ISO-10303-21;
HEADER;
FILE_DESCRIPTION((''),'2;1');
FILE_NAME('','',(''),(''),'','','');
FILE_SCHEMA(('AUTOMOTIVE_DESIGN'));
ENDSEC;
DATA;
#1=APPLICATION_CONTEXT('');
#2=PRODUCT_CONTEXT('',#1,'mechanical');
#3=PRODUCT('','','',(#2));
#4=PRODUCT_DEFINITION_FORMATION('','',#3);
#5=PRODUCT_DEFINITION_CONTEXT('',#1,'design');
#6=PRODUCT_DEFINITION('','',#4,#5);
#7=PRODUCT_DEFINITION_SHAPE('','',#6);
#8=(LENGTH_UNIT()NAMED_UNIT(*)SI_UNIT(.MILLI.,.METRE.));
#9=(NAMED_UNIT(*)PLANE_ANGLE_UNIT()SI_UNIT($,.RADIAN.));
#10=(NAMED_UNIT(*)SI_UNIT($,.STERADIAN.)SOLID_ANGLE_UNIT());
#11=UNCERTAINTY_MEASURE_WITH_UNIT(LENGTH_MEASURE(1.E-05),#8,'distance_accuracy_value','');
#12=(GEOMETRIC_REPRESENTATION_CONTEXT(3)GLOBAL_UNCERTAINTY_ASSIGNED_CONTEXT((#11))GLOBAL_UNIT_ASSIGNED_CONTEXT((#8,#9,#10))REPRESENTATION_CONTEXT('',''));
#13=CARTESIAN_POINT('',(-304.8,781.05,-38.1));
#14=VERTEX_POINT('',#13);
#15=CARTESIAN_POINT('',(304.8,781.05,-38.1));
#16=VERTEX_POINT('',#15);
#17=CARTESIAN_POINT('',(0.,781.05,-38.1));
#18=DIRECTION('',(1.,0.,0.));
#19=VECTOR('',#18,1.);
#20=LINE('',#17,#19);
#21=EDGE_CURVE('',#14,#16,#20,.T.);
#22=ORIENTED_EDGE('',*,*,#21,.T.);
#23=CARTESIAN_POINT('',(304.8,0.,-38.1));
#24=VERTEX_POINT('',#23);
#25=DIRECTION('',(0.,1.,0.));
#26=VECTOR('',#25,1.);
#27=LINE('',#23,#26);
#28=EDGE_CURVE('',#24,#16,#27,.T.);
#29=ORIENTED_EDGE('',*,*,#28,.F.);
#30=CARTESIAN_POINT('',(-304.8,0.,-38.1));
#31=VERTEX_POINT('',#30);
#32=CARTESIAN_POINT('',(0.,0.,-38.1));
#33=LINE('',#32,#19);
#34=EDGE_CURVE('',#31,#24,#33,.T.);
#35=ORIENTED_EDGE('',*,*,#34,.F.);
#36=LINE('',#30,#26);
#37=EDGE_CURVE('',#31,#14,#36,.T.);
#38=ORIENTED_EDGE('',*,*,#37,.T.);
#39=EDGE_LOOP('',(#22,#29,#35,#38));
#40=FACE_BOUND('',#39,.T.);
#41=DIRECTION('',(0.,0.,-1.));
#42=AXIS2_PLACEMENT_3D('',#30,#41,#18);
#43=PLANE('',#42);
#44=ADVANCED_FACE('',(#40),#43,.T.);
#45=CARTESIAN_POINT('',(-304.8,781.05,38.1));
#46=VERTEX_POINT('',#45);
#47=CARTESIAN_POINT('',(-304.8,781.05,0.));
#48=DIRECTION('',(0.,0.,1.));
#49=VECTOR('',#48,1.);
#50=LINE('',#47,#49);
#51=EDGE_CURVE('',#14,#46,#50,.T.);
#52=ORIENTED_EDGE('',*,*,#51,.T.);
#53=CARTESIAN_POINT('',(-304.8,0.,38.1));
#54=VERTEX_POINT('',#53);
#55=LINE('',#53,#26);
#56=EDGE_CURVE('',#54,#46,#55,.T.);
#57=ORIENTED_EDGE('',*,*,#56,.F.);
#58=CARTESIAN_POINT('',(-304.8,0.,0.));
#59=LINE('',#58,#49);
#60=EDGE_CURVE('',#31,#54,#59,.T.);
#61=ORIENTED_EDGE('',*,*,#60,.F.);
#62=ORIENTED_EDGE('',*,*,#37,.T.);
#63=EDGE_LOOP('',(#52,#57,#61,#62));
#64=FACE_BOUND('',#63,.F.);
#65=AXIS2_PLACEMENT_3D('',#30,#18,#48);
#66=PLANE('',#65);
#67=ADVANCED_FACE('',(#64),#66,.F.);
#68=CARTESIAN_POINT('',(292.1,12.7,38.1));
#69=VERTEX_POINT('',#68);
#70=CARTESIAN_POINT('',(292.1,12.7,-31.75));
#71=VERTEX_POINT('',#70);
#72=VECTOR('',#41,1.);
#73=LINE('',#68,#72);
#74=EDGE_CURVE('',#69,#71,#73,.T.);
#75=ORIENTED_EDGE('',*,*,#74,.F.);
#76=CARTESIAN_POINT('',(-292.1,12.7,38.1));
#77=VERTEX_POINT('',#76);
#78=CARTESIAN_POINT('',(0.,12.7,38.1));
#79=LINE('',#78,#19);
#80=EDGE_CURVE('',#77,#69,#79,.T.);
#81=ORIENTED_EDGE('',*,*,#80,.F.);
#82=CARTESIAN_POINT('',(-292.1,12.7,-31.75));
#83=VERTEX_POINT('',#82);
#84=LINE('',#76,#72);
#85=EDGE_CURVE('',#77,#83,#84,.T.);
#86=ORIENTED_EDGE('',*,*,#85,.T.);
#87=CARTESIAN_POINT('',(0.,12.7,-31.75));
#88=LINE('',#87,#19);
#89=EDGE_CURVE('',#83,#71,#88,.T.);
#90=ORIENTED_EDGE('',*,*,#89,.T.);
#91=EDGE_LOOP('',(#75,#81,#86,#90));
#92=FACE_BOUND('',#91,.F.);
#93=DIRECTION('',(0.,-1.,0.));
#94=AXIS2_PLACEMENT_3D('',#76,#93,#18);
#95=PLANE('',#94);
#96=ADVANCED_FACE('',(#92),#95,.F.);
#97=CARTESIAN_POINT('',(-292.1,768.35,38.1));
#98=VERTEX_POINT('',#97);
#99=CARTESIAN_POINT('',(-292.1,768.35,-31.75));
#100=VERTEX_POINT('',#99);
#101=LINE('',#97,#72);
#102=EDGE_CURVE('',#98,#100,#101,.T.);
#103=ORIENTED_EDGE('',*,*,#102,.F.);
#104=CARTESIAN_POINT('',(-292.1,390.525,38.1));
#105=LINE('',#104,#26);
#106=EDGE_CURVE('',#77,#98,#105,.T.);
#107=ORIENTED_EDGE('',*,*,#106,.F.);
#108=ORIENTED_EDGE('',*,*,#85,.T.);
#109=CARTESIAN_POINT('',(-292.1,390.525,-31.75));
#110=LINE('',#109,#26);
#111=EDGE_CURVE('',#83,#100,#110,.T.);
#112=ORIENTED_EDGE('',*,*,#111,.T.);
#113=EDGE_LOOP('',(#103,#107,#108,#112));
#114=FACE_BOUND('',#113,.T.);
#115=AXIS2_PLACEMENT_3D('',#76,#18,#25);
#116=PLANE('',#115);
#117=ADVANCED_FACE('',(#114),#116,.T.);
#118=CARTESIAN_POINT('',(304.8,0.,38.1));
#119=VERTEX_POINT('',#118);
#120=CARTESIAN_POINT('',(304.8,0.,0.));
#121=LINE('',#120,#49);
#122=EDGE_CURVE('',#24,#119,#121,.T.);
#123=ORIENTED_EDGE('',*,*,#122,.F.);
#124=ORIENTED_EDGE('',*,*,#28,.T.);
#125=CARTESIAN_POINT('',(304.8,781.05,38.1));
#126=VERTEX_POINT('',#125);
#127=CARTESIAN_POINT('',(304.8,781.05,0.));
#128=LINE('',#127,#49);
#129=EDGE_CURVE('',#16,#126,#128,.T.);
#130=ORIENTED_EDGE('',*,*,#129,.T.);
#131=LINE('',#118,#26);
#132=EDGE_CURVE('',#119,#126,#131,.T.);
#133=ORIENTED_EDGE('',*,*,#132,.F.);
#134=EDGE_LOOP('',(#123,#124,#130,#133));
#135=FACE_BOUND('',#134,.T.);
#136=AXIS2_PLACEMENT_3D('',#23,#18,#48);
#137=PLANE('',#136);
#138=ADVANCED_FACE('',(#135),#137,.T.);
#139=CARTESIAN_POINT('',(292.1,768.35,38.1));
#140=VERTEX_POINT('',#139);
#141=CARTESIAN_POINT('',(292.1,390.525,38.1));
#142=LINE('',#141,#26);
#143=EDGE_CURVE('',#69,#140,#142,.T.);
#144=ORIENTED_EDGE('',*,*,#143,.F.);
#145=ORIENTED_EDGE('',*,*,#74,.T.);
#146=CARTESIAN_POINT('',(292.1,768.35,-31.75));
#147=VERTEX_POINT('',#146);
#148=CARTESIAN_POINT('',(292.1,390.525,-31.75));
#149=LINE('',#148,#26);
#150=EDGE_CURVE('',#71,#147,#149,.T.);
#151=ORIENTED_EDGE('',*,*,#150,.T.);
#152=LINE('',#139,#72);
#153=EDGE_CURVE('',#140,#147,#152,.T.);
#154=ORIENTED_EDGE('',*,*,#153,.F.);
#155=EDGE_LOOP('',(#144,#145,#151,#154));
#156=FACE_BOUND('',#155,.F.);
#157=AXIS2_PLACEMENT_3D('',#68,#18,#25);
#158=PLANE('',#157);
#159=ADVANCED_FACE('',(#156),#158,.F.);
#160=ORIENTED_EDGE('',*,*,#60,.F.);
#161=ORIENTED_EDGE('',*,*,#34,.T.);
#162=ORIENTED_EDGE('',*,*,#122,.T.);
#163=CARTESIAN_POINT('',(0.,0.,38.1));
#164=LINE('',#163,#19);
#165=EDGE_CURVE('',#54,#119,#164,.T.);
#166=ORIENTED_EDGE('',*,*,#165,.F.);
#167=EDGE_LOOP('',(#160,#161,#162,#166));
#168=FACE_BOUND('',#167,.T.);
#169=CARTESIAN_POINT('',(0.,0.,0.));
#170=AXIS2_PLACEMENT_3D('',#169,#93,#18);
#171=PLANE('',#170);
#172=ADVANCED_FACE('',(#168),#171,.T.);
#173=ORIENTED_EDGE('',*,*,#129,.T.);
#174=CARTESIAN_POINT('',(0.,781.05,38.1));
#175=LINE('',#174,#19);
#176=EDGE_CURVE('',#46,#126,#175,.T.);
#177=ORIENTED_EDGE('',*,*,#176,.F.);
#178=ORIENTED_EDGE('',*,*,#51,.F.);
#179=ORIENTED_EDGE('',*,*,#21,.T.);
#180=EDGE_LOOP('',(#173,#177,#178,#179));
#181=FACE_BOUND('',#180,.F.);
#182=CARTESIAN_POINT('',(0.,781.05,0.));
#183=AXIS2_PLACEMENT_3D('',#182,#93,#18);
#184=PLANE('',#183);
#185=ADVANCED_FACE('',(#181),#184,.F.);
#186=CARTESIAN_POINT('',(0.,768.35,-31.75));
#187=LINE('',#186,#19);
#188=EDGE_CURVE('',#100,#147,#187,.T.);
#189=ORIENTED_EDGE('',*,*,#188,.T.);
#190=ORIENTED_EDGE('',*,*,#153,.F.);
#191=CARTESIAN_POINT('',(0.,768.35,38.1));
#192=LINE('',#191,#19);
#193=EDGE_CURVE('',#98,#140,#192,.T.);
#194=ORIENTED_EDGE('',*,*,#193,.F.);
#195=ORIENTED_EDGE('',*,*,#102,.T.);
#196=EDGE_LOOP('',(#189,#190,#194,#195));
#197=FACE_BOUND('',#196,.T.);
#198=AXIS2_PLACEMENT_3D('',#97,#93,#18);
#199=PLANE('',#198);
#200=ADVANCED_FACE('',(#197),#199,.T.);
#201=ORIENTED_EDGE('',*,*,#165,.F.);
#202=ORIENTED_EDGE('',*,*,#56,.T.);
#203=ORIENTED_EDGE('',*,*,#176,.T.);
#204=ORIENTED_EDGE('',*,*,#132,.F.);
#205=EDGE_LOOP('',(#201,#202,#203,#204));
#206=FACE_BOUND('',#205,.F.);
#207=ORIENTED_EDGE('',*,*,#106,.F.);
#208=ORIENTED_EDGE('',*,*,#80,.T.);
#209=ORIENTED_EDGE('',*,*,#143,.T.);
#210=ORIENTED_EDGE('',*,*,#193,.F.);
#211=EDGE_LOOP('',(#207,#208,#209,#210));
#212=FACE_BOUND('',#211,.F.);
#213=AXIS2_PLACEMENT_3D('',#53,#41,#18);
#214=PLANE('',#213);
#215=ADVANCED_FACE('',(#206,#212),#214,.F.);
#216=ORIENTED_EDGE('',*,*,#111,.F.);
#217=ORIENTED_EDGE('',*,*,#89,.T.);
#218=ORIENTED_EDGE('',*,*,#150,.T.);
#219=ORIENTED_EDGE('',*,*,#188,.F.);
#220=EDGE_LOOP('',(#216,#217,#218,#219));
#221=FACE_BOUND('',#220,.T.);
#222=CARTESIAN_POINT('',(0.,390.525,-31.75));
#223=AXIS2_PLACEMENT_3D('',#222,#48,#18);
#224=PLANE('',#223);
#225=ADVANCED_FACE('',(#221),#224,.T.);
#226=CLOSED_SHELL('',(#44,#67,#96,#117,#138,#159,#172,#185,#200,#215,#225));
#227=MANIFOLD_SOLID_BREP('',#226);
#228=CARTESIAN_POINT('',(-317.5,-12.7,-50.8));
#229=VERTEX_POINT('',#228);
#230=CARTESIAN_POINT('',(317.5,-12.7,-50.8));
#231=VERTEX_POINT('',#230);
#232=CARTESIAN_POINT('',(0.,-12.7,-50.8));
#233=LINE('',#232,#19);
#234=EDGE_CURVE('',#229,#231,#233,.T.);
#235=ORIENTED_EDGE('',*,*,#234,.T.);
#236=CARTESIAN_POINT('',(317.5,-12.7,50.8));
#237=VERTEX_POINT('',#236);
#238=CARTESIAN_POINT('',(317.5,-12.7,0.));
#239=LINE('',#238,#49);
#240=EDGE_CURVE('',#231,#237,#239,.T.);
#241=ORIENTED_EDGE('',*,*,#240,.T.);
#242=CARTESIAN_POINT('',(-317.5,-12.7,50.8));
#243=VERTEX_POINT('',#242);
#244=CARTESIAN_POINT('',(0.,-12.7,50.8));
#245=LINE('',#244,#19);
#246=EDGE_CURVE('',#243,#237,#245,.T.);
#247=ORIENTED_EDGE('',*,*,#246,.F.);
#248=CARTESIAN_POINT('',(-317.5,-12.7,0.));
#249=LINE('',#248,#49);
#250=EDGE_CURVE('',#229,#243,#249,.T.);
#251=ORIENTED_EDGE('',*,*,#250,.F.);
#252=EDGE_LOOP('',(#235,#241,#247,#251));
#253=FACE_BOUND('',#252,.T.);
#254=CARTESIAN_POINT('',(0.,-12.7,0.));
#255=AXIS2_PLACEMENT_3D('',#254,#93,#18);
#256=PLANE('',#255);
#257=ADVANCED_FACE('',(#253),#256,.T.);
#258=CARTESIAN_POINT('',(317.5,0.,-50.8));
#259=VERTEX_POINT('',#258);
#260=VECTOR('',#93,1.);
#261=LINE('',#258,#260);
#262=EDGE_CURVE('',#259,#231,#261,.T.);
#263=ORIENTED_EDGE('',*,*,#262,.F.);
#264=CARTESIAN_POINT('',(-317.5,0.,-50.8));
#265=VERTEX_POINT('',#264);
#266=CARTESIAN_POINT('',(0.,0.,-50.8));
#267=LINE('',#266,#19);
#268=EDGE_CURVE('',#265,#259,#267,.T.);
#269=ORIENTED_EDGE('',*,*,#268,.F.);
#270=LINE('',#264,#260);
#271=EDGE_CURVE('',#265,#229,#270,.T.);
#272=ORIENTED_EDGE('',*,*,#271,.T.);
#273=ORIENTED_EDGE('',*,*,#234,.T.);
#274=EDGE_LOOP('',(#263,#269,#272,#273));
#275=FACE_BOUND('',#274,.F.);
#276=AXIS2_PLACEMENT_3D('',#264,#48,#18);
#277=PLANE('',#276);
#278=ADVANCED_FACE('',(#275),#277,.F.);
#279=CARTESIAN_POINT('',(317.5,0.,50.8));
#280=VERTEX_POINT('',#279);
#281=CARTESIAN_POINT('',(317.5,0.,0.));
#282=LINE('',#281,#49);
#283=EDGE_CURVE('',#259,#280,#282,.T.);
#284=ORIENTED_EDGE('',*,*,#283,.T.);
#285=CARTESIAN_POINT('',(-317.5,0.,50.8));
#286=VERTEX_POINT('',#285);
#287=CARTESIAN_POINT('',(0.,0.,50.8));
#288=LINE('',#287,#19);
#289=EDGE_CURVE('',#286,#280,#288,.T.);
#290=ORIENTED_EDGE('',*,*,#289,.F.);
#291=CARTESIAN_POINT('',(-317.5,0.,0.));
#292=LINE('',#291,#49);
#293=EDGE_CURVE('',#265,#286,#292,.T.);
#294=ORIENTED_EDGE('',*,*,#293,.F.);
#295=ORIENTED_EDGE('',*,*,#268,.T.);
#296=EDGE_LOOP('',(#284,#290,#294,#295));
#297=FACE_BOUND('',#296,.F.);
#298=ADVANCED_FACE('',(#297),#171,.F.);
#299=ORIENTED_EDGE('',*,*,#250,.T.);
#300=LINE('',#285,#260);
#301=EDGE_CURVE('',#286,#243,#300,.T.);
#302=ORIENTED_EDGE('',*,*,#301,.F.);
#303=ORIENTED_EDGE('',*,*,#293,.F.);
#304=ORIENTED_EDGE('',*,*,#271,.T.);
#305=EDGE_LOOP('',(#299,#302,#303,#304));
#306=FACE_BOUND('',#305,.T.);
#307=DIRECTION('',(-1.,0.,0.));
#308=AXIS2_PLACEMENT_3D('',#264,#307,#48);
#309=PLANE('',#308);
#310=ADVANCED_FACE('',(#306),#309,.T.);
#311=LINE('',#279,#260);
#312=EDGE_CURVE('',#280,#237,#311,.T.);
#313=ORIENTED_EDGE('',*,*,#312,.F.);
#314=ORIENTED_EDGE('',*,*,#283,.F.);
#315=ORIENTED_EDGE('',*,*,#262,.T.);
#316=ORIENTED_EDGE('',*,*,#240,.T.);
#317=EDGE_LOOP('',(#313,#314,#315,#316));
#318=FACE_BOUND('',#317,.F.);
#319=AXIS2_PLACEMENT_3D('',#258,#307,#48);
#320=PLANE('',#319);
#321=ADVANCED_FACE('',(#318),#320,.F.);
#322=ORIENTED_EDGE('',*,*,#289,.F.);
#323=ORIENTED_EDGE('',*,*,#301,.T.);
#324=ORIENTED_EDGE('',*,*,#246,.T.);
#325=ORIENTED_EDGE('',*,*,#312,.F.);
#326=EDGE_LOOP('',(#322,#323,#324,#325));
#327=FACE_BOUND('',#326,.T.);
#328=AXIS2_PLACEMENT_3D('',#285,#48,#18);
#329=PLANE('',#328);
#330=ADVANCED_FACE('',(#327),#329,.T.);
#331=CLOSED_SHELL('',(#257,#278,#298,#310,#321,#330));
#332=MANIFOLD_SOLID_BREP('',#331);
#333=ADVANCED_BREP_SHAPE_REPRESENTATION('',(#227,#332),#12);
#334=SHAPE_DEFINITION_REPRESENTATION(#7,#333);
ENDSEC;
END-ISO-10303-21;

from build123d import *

# Parameters (mm, degrees)
F0_W     = 635
F0_H     = 101.6
F0_W_2   = 609.6
F0_H_2   = 76.2
F1_DEPTH = 12.7
F2_DEPTH = 781.05
F3_W     = 584.2
F3_H     = 755.65
F4_DEPTH = 69.85


with BuildPart() as f1:
    # F0 (on Front) → F1 (new body)
    with BuildSketch(Plane.XZ):
        Rectangle(F0_W, F0_H)
        Rectangle(F0_W_2, F0_H_2, mode=Mode.SUBTRACT)
        Rectangle(F0_W_2, F0_H_2)
    extrude(amount=F1_DEPTH)


with BuildPart() as f2:
    # F0 (on Front) → F2 (new body)
    with BuildSketch(Plane.XZ):
        Rectangle(F0_W_2, F0_H_2)
    extrude(amount=-F2_DEPTH)

    # F3 (on face) → F4 (cut)
    with BuildSketch(Plane.XY.offset(38.1)):
        with Locations((0, 390.525)):
            Rectangle(F3_W, F3_H)
    extrude(amount=-F4_DEPTH, mode=Mode.SUBTRACT)


solid = Compound([f1.part, f2.part])
